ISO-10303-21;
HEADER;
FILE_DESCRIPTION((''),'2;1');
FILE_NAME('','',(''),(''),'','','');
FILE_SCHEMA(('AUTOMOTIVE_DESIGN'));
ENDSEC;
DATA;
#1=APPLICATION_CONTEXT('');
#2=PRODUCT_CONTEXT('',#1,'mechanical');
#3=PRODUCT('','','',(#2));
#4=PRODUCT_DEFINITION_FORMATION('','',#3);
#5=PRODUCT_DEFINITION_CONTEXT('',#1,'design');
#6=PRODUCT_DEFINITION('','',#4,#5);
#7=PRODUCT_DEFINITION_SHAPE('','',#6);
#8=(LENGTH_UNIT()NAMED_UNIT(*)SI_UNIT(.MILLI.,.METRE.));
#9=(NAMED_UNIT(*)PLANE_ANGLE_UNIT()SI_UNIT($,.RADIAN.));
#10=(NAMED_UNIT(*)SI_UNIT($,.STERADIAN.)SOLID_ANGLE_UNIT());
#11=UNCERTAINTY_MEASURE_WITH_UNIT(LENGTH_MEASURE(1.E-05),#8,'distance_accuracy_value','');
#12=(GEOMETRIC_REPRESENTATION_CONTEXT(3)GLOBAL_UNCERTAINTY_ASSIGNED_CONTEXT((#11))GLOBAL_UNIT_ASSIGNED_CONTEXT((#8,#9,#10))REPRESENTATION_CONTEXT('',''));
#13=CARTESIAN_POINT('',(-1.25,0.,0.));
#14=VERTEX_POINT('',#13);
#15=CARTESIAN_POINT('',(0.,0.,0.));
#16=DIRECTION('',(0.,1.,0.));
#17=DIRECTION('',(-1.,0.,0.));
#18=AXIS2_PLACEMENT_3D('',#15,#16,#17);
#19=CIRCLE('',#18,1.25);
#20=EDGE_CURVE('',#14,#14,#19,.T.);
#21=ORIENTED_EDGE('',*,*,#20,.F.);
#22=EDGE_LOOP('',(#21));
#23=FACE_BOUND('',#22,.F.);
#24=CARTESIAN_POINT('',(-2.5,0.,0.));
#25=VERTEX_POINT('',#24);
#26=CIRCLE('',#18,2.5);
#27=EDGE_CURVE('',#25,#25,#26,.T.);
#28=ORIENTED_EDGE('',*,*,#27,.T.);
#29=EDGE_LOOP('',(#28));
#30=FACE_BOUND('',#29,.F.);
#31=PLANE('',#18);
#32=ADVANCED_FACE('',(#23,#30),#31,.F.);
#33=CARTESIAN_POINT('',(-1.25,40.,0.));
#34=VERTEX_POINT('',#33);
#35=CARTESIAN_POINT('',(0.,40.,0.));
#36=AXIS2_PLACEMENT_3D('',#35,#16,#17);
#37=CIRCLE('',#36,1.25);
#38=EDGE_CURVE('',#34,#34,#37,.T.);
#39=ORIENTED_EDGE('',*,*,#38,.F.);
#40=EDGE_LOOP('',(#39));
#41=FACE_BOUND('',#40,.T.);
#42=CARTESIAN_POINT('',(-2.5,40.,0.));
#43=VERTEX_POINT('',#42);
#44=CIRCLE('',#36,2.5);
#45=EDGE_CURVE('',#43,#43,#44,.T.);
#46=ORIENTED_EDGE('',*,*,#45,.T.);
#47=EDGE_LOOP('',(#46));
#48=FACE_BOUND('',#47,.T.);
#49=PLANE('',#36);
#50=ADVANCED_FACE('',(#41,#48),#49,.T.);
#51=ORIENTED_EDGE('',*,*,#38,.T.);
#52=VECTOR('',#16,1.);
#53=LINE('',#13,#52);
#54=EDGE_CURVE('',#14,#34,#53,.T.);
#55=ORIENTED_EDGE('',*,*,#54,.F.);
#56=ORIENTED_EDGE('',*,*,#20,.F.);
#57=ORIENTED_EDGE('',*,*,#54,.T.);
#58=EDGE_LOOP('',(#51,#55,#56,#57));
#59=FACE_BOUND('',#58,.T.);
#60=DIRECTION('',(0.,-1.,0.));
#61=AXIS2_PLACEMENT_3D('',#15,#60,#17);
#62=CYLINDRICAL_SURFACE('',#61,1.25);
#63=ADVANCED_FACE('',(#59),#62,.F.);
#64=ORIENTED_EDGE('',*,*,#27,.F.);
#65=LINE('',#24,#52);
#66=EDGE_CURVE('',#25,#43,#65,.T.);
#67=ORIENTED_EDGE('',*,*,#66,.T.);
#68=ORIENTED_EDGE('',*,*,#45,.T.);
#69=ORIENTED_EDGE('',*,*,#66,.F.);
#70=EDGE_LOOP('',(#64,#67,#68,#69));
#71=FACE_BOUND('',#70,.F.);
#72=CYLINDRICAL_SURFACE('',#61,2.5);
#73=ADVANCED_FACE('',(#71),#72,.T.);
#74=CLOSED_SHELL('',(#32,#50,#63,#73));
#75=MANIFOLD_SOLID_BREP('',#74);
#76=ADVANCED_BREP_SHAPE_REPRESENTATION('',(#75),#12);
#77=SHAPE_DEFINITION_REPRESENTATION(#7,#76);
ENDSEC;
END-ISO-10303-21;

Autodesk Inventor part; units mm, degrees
ref_plane "YZ Plane" through (0, 0, 0) normal (1, 0, 0) x (0, 1, 0)
ref_plane "XZ Plane" through (0, 0, 0) normal (0, 1, 0) x (-1, 0, 0)
ref_plane "XY Plane" through (0, 0, 0) normal (0, 0, 1) x (1, 0, 0)
sketch "Boceto1" plane through (0, 0, 0) normal (0, 1, 0) x (-1, 0, 0)
  circle A0 centre (0, 0) radius 2.5
  circle A1 centre (0, 0) radius 1.25
  dimension "d0" = 5
  dimension "d1" = 2.5
extrude "Extrusión1" add sketch "Boceto1" along normal blind 40
properties part number "MotorShaft"
